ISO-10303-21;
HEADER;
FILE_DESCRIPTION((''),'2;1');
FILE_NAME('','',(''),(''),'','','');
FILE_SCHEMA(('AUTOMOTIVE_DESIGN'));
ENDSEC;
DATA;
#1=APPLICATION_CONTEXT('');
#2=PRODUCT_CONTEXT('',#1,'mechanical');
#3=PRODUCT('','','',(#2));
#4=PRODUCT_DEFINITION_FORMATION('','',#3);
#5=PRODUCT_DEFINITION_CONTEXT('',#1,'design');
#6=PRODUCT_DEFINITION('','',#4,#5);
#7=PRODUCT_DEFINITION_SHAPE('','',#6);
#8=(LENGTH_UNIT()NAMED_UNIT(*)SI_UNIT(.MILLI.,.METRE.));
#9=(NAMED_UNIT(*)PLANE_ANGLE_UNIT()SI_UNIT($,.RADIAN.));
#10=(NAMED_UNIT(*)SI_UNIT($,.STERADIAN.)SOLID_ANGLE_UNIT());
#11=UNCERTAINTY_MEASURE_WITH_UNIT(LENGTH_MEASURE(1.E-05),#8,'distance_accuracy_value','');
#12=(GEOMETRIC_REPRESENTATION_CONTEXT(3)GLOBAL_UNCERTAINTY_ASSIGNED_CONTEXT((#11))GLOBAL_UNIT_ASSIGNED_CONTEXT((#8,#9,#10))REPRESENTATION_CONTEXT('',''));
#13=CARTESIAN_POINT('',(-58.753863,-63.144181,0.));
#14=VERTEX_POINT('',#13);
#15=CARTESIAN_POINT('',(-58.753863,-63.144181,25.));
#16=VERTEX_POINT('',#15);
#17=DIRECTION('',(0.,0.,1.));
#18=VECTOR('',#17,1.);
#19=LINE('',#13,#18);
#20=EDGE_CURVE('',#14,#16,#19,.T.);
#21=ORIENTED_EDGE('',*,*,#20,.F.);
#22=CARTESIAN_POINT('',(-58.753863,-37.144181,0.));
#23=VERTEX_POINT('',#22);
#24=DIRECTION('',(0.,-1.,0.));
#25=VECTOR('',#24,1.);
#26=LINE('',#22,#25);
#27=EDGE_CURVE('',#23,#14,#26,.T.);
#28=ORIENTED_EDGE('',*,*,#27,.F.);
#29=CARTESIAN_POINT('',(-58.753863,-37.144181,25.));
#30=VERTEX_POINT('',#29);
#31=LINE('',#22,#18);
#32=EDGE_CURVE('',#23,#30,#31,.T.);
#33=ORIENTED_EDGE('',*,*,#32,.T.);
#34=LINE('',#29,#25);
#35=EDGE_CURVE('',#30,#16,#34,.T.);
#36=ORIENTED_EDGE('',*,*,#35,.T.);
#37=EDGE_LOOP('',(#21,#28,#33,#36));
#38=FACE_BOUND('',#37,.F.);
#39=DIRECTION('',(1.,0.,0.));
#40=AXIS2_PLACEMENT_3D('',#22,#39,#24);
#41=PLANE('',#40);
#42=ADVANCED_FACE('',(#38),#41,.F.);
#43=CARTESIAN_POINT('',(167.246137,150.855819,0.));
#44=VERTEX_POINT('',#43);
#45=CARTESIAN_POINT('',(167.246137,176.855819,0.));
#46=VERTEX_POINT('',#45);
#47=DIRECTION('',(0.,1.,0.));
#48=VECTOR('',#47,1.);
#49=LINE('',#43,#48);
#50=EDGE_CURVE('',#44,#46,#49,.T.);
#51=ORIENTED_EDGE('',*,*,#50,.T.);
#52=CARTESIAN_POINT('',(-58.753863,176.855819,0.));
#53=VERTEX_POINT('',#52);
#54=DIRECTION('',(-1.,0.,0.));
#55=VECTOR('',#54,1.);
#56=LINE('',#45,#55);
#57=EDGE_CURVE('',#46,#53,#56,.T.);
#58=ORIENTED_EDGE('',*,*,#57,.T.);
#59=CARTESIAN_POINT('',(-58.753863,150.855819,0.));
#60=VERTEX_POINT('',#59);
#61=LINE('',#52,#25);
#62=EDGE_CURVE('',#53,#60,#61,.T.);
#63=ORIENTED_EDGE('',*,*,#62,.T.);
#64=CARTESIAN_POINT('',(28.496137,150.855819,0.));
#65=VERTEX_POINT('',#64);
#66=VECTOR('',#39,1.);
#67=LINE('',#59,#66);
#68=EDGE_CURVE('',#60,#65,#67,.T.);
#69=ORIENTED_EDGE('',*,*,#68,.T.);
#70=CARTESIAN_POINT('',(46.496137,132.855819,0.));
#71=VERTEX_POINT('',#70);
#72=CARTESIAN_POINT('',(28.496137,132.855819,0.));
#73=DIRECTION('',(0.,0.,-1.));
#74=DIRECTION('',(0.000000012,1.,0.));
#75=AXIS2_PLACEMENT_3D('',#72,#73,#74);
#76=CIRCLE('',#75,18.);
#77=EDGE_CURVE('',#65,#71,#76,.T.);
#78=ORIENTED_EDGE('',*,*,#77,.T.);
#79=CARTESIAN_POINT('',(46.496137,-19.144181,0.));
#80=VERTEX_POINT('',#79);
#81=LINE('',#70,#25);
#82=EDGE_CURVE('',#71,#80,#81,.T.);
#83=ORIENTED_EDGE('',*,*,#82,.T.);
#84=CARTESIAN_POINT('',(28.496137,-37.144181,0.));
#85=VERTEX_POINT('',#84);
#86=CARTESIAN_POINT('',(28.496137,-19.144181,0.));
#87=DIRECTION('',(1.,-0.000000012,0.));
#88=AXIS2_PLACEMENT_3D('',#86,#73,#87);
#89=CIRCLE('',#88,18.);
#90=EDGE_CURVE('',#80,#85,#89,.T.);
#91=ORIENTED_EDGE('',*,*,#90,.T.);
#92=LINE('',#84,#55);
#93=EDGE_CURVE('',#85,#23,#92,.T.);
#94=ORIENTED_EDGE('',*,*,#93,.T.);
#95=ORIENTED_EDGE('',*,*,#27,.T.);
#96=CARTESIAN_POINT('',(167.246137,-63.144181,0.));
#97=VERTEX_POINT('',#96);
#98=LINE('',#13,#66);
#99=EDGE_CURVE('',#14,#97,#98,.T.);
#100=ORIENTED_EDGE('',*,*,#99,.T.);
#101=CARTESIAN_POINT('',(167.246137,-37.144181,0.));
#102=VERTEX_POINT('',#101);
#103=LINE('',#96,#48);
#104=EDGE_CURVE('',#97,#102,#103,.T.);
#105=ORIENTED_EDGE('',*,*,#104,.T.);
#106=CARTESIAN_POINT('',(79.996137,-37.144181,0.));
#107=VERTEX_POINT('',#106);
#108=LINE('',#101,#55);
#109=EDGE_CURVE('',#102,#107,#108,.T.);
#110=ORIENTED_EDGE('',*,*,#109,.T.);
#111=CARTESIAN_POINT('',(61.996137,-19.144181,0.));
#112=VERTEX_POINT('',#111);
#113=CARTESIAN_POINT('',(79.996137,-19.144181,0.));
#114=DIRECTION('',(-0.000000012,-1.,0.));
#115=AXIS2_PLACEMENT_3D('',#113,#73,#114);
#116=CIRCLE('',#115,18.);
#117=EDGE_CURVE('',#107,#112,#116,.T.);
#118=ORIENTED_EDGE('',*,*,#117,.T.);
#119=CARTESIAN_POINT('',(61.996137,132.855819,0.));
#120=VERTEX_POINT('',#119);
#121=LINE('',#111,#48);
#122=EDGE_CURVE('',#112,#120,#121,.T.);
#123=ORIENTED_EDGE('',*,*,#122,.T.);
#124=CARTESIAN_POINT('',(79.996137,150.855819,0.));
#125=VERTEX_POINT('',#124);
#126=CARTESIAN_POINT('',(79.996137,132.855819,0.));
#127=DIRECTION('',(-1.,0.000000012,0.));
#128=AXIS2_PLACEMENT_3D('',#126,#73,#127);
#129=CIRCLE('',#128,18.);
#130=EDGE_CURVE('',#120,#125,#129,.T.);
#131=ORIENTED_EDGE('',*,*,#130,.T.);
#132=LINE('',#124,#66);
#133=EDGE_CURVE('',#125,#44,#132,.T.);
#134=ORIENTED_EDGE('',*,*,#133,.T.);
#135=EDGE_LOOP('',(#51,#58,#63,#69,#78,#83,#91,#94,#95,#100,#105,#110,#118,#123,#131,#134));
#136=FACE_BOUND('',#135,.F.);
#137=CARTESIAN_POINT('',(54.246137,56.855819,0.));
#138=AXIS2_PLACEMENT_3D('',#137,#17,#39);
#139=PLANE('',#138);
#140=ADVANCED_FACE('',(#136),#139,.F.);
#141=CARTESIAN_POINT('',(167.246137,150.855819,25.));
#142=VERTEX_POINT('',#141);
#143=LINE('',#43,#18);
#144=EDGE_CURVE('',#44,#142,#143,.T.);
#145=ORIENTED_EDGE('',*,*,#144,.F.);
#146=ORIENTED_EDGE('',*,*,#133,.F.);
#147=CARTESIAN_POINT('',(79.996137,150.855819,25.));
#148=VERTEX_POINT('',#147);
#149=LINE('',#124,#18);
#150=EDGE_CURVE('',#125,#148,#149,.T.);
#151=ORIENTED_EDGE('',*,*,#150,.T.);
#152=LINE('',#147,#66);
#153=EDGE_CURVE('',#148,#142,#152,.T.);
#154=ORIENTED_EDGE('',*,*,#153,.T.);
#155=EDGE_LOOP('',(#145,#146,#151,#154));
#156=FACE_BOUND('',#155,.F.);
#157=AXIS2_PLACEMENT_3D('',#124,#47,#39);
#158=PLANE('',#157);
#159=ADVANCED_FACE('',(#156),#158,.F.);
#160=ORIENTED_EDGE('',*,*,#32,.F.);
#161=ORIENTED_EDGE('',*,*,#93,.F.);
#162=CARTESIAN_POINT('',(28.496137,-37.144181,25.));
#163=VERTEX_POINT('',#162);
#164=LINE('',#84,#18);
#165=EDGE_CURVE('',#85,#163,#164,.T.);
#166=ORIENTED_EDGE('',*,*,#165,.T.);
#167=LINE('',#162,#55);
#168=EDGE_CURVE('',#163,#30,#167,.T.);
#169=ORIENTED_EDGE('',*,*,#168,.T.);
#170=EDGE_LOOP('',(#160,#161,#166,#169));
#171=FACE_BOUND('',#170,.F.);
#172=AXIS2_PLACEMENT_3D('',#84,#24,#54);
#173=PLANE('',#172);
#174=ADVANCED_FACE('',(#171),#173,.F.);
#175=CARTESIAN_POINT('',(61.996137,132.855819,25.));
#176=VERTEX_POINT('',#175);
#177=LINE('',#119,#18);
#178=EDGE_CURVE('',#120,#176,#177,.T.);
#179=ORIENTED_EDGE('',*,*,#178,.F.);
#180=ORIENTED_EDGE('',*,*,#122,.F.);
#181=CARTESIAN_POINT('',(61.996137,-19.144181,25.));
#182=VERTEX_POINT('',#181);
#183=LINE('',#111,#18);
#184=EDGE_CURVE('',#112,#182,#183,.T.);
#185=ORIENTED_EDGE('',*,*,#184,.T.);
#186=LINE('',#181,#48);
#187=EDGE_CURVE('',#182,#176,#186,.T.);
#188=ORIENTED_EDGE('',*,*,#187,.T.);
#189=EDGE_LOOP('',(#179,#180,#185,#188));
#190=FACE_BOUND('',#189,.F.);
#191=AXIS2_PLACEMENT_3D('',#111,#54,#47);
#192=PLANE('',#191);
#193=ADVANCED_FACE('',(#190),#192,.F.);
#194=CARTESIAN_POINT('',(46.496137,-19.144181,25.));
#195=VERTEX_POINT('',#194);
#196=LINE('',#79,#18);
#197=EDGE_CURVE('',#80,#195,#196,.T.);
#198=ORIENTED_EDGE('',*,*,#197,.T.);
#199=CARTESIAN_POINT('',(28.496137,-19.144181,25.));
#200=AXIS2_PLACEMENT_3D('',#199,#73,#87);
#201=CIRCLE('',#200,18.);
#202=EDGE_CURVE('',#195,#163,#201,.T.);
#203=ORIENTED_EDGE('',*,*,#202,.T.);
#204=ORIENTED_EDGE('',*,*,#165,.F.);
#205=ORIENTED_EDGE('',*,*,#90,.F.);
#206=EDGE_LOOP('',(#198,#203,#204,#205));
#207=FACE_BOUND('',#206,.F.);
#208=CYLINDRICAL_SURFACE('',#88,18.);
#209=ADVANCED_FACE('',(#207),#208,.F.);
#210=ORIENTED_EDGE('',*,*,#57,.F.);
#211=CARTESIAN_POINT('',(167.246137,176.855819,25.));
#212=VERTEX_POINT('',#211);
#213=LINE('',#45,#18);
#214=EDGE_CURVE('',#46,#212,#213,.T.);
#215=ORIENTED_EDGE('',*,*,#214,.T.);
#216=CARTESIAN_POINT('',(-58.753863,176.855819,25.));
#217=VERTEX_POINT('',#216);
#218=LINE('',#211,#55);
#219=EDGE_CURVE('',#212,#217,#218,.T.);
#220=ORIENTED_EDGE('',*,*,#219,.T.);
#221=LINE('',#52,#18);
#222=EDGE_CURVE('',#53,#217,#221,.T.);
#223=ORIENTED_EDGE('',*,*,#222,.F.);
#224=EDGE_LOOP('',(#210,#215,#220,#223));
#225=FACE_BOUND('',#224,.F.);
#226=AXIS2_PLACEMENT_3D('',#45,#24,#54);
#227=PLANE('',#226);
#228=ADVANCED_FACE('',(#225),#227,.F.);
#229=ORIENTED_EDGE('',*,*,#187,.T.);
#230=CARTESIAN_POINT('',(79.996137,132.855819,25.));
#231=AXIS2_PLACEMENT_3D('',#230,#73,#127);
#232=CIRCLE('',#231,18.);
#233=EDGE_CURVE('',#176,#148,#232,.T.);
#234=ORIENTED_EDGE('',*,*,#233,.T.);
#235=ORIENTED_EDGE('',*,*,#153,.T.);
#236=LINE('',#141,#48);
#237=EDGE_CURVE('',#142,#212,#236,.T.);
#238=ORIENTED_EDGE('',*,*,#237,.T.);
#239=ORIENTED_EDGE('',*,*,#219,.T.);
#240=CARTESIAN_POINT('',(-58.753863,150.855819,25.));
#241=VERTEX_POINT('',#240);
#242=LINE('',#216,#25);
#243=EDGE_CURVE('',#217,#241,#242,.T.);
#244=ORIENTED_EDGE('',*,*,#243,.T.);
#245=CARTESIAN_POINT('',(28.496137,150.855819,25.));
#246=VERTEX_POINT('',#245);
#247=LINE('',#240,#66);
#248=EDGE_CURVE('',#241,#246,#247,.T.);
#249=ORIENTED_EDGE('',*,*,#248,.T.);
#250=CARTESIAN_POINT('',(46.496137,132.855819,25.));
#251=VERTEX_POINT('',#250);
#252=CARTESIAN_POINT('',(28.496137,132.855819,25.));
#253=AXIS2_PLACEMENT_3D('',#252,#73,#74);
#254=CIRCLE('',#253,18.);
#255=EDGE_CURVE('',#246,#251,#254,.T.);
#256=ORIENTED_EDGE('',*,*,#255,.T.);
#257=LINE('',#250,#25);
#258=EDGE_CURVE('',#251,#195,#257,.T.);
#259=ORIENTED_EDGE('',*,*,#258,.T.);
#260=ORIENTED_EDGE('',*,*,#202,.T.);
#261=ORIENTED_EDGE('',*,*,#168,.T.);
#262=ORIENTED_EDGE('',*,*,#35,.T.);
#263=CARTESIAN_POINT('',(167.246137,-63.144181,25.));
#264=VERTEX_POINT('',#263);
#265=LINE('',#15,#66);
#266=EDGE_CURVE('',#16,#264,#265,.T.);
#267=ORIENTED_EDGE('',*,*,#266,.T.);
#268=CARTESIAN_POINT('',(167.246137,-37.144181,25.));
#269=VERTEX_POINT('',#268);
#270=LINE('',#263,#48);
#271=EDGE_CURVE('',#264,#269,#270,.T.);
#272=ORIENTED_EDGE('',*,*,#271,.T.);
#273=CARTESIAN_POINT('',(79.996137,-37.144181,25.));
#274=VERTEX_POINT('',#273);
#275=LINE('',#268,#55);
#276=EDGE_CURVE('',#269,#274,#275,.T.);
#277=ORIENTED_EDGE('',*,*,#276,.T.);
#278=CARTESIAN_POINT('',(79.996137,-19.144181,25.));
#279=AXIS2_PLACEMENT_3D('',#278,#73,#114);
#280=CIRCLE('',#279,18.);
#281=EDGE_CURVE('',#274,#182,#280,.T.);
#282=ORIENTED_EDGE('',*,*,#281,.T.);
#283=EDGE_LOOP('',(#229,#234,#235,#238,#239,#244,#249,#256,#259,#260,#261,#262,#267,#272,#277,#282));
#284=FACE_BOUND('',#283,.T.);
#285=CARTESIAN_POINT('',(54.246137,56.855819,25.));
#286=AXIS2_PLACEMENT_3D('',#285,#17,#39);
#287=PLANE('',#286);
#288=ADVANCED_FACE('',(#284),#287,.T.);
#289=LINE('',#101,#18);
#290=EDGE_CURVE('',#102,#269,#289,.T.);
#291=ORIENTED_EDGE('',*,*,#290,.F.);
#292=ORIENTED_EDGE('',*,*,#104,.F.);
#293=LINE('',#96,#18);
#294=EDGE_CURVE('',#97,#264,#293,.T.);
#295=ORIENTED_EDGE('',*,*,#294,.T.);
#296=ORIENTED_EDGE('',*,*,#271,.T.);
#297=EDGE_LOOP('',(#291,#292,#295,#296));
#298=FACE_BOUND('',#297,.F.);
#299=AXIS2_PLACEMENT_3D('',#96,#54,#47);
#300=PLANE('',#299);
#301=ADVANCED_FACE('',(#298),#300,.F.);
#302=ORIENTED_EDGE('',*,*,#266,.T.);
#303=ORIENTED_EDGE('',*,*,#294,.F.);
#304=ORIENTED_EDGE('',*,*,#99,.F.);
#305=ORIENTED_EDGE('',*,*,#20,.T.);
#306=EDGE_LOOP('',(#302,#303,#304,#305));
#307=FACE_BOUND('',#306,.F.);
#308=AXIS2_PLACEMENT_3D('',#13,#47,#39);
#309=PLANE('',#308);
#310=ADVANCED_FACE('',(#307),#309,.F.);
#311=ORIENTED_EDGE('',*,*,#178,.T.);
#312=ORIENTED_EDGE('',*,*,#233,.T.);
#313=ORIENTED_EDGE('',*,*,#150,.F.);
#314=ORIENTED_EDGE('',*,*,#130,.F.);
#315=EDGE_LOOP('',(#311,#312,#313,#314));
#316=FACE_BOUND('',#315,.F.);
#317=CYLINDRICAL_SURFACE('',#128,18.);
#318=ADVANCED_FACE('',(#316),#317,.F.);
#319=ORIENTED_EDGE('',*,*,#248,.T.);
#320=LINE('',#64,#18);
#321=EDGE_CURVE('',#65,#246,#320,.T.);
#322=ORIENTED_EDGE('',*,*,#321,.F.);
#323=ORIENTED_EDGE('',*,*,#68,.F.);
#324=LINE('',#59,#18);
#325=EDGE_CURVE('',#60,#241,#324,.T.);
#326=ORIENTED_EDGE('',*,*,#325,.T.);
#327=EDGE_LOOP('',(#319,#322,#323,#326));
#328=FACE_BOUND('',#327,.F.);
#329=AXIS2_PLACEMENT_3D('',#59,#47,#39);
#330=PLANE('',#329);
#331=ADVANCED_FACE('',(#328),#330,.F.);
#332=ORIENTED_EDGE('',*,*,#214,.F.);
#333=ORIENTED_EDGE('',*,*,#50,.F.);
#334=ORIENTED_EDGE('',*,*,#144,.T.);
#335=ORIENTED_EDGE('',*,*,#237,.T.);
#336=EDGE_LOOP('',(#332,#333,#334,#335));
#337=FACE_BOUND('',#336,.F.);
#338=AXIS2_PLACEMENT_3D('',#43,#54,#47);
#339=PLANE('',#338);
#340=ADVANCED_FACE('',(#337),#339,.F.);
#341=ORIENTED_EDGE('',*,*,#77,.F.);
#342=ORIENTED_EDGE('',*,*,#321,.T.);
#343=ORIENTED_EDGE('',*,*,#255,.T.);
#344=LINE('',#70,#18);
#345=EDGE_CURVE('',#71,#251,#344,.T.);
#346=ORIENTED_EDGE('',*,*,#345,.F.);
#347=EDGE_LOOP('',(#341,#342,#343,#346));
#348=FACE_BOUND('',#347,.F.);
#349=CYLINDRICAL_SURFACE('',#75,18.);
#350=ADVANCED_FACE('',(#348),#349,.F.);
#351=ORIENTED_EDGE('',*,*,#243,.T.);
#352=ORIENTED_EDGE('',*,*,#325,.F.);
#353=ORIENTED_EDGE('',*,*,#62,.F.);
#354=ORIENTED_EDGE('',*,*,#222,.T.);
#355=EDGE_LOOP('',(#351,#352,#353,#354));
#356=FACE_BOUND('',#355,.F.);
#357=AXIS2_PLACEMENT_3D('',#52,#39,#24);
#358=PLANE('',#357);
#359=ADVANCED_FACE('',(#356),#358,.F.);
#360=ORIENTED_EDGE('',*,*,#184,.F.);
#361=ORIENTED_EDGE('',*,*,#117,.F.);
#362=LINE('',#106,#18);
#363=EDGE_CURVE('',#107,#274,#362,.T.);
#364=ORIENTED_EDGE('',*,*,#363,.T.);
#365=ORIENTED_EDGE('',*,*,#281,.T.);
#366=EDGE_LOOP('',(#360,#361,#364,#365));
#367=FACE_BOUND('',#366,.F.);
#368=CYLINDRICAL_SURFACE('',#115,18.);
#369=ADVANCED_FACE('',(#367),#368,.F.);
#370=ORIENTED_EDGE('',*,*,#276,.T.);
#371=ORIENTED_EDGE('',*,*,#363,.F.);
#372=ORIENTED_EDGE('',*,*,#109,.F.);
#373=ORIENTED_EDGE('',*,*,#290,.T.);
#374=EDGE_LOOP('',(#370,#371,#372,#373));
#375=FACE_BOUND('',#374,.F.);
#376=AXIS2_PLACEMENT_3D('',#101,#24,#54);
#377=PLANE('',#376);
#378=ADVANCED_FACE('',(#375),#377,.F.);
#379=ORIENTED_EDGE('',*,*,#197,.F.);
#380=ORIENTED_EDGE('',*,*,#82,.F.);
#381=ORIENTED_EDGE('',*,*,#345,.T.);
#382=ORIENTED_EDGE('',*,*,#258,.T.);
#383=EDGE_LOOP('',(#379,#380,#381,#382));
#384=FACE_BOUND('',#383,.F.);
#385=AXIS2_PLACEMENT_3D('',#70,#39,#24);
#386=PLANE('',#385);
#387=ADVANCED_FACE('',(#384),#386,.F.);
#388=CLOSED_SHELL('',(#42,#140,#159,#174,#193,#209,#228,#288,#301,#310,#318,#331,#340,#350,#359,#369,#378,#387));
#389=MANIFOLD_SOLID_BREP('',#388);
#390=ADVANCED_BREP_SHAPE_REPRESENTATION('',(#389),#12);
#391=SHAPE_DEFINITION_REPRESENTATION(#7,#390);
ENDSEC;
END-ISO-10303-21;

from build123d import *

# Parameters (mm, degrees)
F1_DEPTH = 25


with BuildPart() as f1:
    # F0 (on Top) → F1 (new body)
    with BuildSketch(Plane.XY):
        with BuildLine():
            Line((167.246137, 176.855819), (-58.753863, 176.855819))
            Line((-58.753863, 176.855819), (-58.753863, 150.855819))
            Line((-58.753863, 150.855819), (28.496137, 150.855819))
            ThreePointArc((28.496137, 150.855819), (41.224059, 145.583741), (46.496137, 132.855819))
            Line((46.496137, 132.855819), (46.496137, -19.144181))
            ThreePointArc((46.496137, -19.144181), (41.224059, -31.872103), (28.496137, -37.144181))
            Line((28.496137, -37.144181), (-58.753863, -37.144181))
            Line((-58.753863, -37.144181), (-58.753863, -63.144181))
            Line((-58.753863, -63.144181), (167.246137, -63.144181))
            Line((167.246137, -63.144181), (167.246137, -37.144181))
            Line((167.246137, -37.144181), (79.996137, -37.144181))
            ThreePointArc((79.996137, -37.144181), (67.268215, -31.872103), (61.996137, -19.144181))
            Line((61.996137, -19.144181), (61.996137, 132.855819))
            ThreePointArc((61.996137, 132.855819), (67.268215, 145.583741), (79.996137, 150.855819))
            Line((79.996137, 150.855819), (167.246137, 150.855819))
            Line((167.246137, 150.855819), (167.246137, 176.855819))
        make_face()
    extrude(amount=F1_DEPTH)


solid = f1.part
